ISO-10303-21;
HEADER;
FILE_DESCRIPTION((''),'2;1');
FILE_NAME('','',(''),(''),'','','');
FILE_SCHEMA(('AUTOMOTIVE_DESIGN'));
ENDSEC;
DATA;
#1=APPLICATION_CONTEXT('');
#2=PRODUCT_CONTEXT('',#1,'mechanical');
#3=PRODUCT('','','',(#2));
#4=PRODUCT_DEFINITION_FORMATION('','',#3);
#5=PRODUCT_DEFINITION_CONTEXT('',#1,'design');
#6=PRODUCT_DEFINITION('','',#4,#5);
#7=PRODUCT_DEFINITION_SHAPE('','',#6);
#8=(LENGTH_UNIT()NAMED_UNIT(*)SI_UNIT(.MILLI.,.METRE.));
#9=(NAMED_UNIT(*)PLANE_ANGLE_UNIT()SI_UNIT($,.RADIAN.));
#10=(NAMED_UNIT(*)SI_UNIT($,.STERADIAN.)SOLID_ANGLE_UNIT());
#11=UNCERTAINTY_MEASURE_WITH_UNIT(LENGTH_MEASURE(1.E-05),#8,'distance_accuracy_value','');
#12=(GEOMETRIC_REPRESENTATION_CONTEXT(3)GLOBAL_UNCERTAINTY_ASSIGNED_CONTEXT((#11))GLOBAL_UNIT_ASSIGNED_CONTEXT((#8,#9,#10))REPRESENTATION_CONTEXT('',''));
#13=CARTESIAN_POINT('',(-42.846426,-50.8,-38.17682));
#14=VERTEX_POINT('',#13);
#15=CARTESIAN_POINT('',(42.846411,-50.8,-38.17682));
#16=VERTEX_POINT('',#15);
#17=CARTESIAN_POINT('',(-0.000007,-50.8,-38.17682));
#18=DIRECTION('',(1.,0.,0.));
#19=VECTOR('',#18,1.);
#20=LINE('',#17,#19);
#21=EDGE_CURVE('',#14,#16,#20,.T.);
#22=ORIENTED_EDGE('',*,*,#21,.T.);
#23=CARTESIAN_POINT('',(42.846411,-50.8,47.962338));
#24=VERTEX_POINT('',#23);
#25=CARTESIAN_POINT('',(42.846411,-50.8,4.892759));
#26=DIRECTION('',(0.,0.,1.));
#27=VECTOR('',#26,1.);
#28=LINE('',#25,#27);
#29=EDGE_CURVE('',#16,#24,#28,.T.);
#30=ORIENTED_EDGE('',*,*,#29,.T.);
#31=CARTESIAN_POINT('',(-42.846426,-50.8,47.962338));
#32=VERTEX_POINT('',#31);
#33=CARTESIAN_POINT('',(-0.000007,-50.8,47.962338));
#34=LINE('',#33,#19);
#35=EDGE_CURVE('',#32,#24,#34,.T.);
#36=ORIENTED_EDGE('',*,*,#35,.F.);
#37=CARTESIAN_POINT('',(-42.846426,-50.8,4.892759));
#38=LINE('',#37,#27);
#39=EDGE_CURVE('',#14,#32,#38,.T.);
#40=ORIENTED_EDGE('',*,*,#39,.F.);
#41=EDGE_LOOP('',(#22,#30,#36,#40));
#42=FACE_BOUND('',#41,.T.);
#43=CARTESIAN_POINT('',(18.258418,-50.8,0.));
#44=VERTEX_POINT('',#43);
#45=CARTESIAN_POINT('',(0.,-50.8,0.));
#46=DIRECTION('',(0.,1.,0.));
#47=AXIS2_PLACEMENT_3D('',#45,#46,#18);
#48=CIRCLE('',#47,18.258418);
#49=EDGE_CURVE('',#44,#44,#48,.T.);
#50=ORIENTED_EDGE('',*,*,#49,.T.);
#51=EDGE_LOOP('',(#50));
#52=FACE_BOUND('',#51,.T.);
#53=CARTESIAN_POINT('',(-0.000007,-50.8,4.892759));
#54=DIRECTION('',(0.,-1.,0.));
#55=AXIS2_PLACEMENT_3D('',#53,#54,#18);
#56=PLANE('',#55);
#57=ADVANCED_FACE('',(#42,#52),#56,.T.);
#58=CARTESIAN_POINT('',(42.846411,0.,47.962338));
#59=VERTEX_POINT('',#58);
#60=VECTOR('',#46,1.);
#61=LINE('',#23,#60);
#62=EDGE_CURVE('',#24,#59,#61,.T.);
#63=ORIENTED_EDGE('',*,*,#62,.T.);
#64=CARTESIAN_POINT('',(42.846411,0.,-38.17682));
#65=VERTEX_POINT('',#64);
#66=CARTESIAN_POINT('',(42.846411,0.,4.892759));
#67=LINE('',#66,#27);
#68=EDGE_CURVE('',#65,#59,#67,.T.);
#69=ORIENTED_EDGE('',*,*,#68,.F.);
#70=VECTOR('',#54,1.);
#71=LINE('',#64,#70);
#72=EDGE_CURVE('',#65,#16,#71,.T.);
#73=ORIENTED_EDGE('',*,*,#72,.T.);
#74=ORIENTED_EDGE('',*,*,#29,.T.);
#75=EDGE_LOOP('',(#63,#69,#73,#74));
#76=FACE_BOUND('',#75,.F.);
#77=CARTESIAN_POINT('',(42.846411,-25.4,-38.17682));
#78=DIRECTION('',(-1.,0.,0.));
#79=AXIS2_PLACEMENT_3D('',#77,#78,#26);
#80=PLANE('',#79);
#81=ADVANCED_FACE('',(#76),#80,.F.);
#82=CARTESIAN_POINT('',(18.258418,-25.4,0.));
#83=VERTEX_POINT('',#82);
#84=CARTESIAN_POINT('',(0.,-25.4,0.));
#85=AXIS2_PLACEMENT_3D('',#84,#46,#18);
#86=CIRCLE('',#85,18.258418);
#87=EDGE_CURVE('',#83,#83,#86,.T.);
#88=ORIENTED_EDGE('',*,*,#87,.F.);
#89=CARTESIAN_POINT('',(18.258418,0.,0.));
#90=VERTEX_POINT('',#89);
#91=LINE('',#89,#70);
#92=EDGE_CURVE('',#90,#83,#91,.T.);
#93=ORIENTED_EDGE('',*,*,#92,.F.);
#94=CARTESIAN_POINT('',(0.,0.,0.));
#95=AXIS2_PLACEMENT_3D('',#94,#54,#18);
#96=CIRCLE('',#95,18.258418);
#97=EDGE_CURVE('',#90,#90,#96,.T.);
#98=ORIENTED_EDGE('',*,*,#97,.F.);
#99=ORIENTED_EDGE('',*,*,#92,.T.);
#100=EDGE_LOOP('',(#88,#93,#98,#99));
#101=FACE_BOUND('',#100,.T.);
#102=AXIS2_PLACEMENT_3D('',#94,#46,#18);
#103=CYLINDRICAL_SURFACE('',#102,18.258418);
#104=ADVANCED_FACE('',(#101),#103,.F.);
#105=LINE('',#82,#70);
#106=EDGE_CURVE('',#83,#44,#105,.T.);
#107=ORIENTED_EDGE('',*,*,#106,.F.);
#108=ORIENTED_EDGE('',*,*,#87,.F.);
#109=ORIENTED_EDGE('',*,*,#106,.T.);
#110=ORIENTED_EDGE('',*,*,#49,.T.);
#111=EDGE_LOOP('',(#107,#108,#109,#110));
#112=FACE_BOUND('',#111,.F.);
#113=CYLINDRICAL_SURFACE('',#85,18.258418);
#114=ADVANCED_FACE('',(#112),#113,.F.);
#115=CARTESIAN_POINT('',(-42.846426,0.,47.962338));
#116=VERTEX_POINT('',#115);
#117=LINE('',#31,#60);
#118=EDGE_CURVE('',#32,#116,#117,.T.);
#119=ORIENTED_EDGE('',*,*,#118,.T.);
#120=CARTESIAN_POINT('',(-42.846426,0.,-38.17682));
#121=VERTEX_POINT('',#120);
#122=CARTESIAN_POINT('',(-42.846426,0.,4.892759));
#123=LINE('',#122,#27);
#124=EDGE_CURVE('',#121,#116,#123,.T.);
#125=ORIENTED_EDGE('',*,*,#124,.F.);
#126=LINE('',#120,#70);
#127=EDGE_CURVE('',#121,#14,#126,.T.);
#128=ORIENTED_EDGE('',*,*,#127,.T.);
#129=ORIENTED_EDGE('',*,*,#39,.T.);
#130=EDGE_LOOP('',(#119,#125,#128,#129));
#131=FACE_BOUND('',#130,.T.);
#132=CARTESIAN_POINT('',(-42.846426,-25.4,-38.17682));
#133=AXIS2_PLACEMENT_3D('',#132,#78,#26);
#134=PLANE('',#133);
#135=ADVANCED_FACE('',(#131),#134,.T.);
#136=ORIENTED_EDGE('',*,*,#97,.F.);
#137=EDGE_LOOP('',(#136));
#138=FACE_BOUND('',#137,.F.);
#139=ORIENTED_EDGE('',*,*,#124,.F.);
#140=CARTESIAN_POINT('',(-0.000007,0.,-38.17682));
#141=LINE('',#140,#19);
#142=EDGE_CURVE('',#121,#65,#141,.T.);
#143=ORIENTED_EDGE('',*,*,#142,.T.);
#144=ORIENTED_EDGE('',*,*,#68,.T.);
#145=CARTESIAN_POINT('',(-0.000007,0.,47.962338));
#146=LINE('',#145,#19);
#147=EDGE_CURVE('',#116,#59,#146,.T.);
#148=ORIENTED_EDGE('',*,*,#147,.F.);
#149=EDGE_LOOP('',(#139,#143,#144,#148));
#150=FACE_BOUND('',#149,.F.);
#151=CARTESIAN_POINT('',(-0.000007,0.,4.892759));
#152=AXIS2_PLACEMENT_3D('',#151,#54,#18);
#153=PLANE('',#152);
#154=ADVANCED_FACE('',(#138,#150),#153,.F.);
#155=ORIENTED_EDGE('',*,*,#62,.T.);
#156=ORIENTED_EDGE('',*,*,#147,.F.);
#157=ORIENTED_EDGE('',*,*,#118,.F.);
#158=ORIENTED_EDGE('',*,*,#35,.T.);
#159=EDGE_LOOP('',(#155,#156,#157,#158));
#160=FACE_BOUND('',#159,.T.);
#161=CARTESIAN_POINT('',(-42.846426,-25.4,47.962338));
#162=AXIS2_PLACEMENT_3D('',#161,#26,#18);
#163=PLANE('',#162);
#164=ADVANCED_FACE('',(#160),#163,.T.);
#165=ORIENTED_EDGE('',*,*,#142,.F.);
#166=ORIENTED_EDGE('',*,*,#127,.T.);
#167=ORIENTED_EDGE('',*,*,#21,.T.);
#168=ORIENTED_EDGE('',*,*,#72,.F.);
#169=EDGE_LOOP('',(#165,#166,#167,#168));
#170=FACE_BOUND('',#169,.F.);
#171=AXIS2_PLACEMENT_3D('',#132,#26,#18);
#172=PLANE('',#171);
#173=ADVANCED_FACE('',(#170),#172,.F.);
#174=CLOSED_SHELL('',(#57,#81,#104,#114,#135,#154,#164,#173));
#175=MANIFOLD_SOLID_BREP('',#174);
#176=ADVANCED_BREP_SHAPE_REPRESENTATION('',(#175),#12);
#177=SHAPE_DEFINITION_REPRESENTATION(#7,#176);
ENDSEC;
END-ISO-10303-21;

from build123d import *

# Parameters (mm, degrees)
F0_W     = 85.6928378344
F0_H     = 86.1391574144
F1_DEPTH = 25.4
F2_R     = 18.2584183748
F3_DEPTH = 162.2124761343
F4_DEPTH = 25.4


with BuildPart() as f1:
    # F0 (on Front) → F1 (new body)
    with BuildSketch(Plane.XZ):
        with Locations((-7.4506e-06, 4.8927590251)):
            Rectangle(F0_W, F0_H)
    extrude(amount=F1_DEPTH)

    # F2 (on Front) → F3 (cut)
    with BuildSketch(Plane.XZ):
        Circle(F2_R)
    extrude(amount=F3_DEPTH, mode=Mode.SUBTRACT)

    # F4 (add): a face of the model
    f4_faces = [f1.faces().sort_by_distance(p)[0] for p in [
        (-7.4506e-06, -25.4, 46.747297943),
    ]]
    extrude(f4_faces, amount=F4_DEPTH)


solid = f1.part
